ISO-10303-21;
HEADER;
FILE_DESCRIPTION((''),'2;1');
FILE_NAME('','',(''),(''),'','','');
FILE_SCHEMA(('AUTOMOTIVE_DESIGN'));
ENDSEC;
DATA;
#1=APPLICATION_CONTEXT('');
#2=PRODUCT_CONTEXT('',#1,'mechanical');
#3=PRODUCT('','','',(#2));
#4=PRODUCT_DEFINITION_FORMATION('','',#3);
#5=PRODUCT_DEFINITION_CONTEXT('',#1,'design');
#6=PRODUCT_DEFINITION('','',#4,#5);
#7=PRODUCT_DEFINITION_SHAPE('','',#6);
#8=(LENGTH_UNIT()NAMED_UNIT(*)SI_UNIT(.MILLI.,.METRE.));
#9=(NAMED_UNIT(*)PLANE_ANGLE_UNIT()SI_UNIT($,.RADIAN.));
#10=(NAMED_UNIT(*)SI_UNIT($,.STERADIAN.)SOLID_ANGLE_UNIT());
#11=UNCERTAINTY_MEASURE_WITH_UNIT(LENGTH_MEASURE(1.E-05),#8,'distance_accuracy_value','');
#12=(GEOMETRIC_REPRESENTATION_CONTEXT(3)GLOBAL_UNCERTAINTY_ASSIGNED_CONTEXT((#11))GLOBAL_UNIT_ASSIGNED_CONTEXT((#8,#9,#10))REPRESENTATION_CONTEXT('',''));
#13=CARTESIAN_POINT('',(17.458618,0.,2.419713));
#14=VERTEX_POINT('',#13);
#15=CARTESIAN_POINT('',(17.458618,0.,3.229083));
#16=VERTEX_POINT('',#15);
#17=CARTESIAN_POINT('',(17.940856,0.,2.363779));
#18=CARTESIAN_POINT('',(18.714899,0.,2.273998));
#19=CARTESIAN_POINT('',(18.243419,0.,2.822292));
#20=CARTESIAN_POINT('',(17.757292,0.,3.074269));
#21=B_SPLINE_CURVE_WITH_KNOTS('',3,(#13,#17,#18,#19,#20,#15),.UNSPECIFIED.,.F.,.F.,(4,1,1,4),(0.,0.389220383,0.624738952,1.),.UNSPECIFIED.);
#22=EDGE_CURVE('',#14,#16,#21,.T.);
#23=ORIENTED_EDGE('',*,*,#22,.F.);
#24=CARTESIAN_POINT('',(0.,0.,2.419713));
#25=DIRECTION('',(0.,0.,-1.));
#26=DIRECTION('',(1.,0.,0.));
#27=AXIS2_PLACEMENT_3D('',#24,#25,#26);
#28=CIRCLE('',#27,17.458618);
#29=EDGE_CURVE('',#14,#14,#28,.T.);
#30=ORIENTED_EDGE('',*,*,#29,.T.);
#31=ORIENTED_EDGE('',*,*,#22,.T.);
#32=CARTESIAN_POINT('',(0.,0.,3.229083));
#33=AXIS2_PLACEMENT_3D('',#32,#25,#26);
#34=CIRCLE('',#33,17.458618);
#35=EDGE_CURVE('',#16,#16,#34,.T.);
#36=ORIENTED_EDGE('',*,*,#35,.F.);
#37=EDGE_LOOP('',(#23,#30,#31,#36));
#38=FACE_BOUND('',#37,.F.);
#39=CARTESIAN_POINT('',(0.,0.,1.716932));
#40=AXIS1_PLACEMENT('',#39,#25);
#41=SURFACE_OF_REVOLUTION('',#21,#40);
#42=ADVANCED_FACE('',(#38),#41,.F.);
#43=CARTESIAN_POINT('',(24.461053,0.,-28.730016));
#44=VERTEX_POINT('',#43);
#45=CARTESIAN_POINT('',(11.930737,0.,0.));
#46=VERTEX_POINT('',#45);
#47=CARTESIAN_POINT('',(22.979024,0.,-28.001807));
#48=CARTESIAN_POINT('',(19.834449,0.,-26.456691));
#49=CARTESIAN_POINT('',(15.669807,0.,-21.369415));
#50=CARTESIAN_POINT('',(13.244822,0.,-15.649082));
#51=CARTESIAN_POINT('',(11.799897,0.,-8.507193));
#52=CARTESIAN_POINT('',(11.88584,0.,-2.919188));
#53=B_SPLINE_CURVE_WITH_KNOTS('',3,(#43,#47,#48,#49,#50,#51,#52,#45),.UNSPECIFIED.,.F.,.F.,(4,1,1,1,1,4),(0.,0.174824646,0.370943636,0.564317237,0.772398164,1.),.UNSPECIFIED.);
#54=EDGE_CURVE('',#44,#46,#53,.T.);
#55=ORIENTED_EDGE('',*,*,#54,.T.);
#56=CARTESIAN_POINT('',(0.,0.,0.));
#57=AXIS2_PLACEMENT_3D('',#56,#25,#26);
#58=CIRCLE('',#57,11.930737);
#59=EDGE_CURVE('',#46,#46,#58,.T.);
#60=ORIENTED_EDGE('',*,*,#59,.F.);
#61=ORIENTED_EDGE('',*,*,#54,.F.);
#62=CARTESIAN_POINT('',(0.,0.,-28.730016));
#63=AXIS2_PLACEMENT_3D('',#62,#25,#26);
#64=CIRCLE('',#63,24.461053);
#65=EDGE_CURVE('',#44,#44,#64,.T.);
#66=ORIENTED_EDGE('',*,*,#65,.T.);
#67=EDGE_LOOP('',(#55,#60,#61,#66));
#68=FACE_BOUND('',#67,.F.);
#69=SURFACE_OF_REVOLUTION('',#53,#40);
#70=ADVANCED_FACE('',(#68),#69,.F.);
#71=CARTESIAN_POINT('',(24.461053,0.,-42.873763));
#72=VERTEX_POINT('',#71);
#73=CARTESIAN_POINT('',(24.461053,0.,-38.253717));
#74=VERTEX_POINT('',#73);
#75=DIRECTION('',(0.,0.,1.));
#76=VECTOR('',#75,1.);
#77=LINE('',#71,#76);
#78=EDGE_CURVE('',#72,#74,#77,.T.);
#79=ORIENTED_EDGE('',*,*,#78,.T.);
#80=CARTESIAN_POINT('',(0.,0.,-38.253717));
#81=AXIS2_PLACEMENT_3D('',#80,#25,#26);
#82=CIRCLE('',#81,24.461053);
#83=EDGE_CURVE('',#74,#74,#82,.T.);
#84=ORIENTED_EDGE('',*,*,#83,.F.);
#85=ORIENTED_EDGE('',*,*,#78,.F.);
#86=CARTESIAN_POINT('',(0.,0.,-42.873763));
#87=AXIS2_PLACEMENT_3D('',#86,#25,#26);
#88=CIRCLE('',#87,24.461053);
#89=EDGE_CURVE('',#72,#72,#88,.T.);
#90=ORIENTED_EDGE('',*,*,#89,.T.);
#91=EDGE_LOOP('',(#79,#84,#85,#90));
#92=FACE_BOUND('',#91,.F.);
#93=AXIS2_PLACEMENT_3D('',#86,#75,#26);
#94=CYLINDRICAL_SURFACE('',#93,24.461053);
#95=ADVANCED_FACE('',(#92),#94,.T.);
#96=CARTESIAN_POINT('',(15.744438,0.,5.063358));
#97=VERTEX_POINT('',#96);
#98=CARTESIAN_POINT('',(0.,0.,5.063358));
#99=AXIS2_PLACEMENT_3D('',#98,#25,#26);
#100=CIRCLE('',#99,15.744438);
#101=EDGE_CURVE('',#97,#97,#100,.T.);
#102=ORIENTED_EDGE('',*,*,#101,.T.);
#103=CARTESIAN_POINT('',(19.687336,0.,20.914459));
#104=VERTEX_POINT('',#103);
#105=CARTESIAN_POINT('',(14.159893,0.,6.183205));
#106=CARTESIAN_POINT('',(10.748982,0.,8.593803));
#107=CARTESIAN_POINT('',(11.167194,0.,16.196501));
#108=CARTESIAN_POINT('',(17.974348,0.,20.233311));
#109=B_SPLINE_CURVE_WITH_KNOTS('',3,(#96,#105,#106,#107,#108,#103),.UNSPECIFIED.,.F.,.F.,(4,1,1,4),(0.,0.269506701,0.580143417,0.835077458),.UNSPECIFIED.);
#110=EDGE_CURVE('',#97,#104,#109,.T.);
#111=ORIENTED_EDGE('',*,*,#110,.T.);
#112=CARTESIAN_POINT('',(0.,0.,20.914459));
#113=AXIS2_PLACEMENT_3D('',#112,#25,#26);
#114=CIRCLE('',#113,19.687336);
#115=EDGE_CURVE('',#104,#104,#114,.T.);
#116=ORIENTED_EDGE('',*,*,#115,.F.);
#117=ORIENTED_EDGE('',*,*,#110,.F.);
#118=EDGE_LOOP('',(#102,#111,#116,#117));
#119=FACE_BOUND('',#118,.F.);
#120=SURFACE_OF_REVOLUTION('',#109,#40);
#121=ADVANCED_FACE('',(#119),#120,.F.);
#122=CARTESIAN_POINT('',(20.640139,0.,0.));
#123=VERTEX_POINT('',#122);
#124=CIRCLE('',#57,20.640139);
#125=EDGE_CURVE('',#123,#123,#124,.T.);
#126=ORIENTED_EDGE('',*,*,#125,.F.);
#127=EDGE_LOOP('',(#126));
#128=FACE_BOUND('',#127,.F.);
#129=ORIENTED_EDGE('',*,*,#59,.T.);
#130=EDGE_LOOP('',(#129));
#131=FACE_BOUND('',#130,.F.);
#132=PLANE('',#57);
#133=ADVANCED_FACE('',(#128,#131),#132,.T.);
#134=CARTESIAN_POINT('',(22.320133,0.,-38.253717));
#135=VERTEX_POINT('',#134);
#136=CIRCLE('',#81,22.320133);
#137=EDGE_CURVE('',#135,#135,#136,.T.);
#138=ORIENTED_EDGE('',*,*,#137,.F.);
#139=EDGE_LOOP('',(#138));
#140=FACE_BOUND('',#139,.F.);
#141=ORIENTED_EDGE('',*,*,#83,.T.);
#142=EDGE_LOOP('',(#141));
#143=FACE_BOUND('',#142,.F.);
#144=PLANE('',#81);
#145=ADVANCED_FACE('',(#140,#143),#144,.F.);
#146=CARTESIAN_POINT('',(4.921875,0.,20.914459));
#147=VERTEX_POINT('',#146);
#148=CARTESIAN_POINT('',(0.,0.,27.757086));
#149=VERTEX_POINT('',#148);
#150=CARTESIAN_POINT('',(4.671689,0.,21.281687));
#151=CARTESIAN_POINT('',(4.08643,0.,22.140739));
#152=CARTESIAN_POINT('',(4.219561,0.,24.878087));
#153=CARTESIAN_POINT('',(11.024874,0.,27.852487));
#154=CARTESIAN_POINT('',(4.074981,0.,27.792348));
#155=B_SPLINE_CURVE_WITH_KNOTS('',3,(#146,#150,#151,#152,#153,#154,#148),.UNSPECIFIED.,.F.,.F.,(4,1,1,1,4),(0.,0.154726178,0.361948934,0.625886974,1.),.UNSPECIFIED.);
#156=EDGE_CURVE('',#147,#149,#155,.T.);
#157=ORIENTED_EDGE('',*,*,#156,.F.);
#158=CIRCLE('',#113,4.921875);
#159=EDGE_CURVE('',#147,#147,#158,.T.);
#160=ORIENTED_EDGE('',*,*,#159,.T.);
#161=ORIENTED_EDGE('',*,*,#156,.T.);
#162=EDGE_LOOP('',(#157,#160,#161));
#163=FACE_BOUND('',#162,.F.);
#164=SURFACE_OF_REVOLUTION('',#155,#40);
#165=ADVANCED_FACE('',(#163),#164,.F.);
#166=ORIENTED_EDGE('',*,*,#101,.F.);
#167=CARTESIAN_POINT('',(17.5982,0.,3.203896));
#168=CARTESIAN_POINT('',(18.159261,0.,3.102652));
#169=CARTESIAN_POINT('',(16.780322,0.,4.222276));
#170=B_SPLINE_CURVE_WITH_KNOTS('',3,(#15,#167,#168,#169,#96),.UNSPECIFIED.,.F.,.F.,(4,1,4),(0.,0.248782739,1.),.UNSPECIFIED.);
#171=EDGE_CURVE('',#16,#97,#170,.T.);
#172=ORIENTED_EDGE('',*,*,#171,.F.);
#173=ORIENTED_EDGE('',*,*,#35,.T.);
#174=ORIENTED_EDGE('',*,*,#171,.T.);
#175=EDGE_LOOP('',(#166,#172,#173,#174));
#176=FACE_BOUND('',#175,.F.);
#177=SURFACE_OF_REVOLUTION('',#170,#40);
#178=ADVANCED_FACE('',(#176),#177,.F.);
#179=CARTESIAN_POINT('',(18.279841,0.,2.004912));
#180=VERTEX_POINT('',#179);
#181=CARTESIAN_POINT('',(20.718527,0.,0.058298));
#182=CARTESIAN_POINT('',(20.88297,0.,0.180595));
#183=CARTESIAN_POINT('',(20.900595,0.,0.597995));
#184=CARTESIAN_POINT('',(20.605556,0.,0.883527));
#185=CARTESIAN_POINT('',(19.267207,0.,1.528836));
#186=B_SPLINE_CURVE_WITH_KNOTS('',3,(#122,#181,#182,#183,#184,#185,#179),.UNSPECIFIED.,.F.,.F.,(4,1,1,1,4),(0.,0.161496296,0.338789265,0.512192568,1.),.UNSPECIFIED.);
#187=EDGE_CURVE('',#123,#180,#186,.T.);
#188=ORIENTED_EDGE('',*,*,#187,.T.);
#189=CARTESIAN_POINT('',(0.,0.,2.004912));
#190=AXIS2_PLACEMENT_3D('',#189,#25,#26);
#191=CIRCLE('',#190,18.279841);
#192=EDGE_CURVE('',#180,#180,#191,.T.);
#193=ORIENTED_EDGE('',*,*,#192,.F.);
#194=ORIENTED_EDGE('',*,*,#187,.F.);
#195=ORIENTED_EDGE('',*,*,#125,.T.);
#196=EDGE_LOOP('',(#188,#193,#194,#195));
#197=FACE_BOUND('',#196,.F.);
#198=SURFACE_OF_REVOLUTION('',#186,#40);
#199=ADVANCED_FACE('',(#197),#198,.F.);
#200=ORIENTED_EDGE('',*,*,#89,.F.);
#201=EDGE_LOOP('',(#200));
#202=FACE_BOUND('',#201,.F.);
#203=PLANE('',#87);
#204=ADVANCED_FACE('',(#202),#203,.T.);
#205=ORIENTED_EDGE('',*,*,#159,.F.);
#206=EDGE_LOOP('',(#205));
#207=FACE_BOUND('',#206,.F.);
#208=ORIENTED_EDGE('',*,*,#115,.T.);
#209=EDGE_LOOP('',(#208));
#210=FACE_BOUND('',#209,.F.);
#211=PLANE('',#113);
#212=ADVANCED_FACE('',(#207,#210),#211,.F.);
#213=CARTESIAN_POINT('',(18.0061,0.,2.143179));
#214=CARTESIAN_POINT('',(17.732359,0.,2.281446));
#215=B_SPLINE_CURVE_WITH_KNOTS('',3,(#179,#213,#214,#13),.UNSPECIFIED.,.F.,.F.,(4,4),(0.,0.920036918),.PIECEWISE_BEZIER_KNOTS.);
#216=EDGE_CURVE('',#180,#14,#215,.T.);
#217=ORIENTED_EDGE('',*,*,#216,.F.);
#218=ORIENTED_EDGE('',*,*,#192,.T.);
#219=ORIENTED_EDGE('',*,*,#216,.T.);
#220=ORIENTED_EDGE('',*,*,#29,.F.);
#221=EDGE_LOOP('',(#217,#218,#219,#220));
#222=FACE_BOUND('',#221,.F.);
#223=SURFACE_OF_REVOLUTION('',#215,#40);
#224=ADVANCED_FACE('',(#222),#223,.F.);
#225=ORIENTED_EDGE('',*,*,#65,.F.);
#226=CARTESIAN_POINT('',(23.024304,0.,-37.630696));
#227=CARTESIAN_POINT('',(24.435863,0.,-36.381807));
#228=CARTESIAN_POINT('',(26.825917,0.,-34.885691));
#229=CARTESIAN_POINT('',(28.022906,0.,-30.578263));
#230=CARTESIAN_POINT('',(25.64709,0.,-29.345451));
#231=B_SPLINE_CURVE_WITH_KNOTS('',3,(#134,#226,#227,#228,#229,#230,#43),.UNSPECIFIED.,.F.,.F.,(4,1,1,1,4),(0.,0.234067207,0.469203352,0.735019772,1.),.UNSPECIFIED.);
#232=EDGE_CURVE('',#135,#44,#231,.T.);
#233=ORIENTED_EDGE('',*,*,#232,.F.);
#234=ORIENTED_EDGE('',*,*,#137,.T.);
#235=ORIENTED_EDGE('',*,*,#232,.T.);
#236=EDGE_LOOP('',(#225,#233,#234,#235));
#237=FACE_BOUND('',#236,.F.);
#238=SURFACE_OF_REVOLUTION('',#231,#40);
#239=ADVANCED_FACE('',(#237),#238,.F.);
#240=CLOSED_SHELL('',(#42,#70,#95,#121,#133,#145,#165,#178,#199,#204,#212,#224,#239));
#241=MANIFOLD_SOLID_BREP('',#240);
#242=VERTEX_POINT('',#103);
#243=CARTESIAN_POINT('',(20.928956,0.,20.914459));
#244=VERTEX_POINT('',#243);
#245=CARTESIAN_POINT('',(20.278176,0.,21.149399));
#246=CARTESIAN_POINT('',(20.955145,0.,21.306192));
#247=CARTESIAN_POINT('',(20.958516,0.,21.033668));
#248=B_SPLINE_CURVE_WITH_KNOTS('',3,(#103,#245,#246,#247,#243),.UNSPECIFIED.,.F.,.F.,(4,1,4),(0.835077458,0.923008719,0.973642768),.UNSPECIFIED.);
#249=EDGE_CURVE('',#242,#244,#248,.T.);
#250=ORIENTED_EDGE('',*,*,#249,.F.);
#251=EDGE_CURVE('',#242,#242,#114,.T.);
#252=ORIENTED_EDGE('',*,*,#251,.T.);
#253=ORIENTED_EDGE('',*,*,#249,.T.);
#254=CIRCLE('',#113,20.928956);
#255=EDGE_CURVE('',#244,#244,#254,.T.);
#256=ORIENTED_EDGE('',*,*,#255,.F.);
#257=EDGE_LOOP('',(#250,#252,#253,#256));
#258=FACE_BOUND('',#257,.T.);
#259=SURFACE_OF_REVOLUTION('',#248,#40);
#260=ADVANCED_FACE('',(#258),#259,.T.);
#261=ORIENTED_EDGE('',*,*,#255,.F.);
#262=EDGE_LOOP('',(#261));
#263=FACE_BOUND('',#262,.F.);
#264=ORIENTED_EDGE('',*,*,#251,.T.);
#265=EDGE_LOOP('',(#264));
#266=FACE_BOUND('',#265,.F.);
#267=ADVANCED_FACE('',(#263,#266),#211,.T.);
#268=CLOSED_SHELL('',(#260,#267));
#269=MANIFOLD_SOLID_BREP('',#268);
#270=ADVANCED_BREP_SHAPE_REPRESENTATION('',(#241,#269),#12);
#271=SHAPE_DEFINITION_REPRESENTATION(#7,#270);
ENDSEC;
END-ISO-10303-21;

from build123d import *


with BuildPart() as f1:
    # F0 (on Front) → F1 (revolve)
    with BuildSketch(Plane.XZ):
        with BuildLine():
            add(Edge.make_bspline(
                [(4.9218754284, 20.9144587706), (4.6716887831, 21.2816869985), (4.0864304191, 22.1407392136), (4.2195611189, 24.8780871546), (11.0248741632, 27.8524868056), (4.0749805931, 27.7923476684), (0, 27.7570858598)],
                knots=[0, 0, 0, 0, 0.1547261776, 0.3619489339, 0.6258869743, 1, 1, 1, 1], degree=3))
            Line((0, 27.7570858598), (0, -42.873762548))
            Line((0, -42.873762548), (24.4610533118, -42.873762548))
            Line((24.4610533118, -42.873762548), (24.4610533118, -38.2537171245))
            Line((24.4610533118, -38.2537171245), (22.3201327026, -38.2537171245))
            add(Edge.make_bspline(
                [(22.3201327026, -38.2537171245), (23.0243042725, -37.6306955946), (24.435863224, -36.3818073193), (26.8259168324, -34.8856908752), (28.0229060228, -30.5782633165), (25.6470899649, -29.3454512014), (24.4610533118, -28.7300162017)],
                knots=[0, 0, 0, 0, 0.2340672069, 0.4692033524, 0.7350197725, 1, 1, 1, 1], degree=3))
            add(Edge.make_bspline(
                [(24.4610533118, -28.7300162017), (22.9790243965, -28.001807449), (19.8344494891, -26.4566911914), (15.6698073284, -21.3694150668), (13.2448217707, -15.6490822772), (11.7998968074, -8.5071928141), (11.8858398427, -2.9191883903), (11.9307367131, 0)],
                knots=[0, 0, 0, 0, 0.1748246458, 0.3709436358, 0.5643172367, 0.7723981643, 1, 1, 1, 1], degree=3))
            Line((11.9307367131, 0), (20.6401385367, 0))
            add(Edge.make_bspline(
                [(20.6401385367, 0), (20.7185266102, 0.0582976443), (20.8829702445, 0.1805952856), (20.9005949774, 0.5979952362), (20.6055559308, 0.8835273832), (19.2672067116, 1.5288361306), (18.2798411697, 2.0049118903)],
                knots=[0, 0, 0, 0, 0.1614962961, 0.3387892654, 0.5121925683, 1, 1, 1, 1], degree=3))
            add(Edge.make_bspline(
                [(18.2798411697, 2.0049118903), (18.0061000089, 2.1431789113), (17.7323588481, 2.2814459323), (17.4586176872, 2.4197129533)],
                knots=[0, 0, 0, 0, 0.9200369178, 0.9200369178, 0.9200369178, 0.9200369178], degree=3))
            add(Edge.make_bspline(
                [(17.4586176872, 2.4197129533), (17.9408564399, 2.3637785771), (18.7148994926, 2.2739981208), (18.2434191386, 2.8222915874), (17.7572924025, 3.0742690882), (17.4586176872, 3.2290832605)],
                knots=[0, 0, 0, 0, 0.3892203826, 0.6247389523, 1, 1, 1, 1], degree=3))
            add(Edge.make_bspline(
                [(17.4586176872, 3.2290832605), (17.598199979, 3.2038955895), (18.1592609756, 3.1026519459), (16.7803215173, 4.2222764844), (15.7444383949, 5.063357763)],
                knots=[0, 0, 0, 0, 0.2487827395, 1, 1, 1, 1], degree=3))
            add(Edge.make_bspline(
                [(15.7444383949, 5.063357763), (14.1598931259, 6.1832052794), (10.7489816244, 8.5938027222), (11.1671935613, 16.1965014544), (17.9743484643, 20.2333114902), (19.6873360939, 20.9144587706)],
                knots=[0, 0, 0, 0, 0.2695067012, 0.580143417, 0.835077458, 0.835077458, 0.835077458, 0.835077458], degree=3))
            Line((19.6873360939, 20.9144587706), (15.9102473408, 20.9144587706))
            Line((15.9102473408, 20.9144587706), (4.9218754284, 20.9144587706))
        make_face()
    revolve(axis=Axis((0, 0, 1.7169322819), (0, 0, -1)))


with BuildPart() as f1b:
    # F0 (on Front) → F1, piece 2 (revolve)
    with BuildSketch(Plane.XZ):
        with BuildLine():
            add(Edge.make_bspline(
                [(19.6873360939, 20.9144587706), (20.2781758314, 21.1493985177), (20.9551447888, 21.3061918007), (20.9585159122, 21.0336684247), (20.9289559663, 20.9144587706)],
                knots=[0.835077458, 0.835077458, 0.835077458, 0.835077458, 0.9230087186, 0.9736427683, 0.9736427683, 0.9736427683, 0.9736427683], degree=3))
            Line((19.6873360939, 20.9144587706), (20.9289559663, 20.9144587706))
        make_face()
    revolve(axis=Axis((0, 0, 1.7169322819), (0, 0, -1)))


solid = Compound([f1.part, f1b.part])
